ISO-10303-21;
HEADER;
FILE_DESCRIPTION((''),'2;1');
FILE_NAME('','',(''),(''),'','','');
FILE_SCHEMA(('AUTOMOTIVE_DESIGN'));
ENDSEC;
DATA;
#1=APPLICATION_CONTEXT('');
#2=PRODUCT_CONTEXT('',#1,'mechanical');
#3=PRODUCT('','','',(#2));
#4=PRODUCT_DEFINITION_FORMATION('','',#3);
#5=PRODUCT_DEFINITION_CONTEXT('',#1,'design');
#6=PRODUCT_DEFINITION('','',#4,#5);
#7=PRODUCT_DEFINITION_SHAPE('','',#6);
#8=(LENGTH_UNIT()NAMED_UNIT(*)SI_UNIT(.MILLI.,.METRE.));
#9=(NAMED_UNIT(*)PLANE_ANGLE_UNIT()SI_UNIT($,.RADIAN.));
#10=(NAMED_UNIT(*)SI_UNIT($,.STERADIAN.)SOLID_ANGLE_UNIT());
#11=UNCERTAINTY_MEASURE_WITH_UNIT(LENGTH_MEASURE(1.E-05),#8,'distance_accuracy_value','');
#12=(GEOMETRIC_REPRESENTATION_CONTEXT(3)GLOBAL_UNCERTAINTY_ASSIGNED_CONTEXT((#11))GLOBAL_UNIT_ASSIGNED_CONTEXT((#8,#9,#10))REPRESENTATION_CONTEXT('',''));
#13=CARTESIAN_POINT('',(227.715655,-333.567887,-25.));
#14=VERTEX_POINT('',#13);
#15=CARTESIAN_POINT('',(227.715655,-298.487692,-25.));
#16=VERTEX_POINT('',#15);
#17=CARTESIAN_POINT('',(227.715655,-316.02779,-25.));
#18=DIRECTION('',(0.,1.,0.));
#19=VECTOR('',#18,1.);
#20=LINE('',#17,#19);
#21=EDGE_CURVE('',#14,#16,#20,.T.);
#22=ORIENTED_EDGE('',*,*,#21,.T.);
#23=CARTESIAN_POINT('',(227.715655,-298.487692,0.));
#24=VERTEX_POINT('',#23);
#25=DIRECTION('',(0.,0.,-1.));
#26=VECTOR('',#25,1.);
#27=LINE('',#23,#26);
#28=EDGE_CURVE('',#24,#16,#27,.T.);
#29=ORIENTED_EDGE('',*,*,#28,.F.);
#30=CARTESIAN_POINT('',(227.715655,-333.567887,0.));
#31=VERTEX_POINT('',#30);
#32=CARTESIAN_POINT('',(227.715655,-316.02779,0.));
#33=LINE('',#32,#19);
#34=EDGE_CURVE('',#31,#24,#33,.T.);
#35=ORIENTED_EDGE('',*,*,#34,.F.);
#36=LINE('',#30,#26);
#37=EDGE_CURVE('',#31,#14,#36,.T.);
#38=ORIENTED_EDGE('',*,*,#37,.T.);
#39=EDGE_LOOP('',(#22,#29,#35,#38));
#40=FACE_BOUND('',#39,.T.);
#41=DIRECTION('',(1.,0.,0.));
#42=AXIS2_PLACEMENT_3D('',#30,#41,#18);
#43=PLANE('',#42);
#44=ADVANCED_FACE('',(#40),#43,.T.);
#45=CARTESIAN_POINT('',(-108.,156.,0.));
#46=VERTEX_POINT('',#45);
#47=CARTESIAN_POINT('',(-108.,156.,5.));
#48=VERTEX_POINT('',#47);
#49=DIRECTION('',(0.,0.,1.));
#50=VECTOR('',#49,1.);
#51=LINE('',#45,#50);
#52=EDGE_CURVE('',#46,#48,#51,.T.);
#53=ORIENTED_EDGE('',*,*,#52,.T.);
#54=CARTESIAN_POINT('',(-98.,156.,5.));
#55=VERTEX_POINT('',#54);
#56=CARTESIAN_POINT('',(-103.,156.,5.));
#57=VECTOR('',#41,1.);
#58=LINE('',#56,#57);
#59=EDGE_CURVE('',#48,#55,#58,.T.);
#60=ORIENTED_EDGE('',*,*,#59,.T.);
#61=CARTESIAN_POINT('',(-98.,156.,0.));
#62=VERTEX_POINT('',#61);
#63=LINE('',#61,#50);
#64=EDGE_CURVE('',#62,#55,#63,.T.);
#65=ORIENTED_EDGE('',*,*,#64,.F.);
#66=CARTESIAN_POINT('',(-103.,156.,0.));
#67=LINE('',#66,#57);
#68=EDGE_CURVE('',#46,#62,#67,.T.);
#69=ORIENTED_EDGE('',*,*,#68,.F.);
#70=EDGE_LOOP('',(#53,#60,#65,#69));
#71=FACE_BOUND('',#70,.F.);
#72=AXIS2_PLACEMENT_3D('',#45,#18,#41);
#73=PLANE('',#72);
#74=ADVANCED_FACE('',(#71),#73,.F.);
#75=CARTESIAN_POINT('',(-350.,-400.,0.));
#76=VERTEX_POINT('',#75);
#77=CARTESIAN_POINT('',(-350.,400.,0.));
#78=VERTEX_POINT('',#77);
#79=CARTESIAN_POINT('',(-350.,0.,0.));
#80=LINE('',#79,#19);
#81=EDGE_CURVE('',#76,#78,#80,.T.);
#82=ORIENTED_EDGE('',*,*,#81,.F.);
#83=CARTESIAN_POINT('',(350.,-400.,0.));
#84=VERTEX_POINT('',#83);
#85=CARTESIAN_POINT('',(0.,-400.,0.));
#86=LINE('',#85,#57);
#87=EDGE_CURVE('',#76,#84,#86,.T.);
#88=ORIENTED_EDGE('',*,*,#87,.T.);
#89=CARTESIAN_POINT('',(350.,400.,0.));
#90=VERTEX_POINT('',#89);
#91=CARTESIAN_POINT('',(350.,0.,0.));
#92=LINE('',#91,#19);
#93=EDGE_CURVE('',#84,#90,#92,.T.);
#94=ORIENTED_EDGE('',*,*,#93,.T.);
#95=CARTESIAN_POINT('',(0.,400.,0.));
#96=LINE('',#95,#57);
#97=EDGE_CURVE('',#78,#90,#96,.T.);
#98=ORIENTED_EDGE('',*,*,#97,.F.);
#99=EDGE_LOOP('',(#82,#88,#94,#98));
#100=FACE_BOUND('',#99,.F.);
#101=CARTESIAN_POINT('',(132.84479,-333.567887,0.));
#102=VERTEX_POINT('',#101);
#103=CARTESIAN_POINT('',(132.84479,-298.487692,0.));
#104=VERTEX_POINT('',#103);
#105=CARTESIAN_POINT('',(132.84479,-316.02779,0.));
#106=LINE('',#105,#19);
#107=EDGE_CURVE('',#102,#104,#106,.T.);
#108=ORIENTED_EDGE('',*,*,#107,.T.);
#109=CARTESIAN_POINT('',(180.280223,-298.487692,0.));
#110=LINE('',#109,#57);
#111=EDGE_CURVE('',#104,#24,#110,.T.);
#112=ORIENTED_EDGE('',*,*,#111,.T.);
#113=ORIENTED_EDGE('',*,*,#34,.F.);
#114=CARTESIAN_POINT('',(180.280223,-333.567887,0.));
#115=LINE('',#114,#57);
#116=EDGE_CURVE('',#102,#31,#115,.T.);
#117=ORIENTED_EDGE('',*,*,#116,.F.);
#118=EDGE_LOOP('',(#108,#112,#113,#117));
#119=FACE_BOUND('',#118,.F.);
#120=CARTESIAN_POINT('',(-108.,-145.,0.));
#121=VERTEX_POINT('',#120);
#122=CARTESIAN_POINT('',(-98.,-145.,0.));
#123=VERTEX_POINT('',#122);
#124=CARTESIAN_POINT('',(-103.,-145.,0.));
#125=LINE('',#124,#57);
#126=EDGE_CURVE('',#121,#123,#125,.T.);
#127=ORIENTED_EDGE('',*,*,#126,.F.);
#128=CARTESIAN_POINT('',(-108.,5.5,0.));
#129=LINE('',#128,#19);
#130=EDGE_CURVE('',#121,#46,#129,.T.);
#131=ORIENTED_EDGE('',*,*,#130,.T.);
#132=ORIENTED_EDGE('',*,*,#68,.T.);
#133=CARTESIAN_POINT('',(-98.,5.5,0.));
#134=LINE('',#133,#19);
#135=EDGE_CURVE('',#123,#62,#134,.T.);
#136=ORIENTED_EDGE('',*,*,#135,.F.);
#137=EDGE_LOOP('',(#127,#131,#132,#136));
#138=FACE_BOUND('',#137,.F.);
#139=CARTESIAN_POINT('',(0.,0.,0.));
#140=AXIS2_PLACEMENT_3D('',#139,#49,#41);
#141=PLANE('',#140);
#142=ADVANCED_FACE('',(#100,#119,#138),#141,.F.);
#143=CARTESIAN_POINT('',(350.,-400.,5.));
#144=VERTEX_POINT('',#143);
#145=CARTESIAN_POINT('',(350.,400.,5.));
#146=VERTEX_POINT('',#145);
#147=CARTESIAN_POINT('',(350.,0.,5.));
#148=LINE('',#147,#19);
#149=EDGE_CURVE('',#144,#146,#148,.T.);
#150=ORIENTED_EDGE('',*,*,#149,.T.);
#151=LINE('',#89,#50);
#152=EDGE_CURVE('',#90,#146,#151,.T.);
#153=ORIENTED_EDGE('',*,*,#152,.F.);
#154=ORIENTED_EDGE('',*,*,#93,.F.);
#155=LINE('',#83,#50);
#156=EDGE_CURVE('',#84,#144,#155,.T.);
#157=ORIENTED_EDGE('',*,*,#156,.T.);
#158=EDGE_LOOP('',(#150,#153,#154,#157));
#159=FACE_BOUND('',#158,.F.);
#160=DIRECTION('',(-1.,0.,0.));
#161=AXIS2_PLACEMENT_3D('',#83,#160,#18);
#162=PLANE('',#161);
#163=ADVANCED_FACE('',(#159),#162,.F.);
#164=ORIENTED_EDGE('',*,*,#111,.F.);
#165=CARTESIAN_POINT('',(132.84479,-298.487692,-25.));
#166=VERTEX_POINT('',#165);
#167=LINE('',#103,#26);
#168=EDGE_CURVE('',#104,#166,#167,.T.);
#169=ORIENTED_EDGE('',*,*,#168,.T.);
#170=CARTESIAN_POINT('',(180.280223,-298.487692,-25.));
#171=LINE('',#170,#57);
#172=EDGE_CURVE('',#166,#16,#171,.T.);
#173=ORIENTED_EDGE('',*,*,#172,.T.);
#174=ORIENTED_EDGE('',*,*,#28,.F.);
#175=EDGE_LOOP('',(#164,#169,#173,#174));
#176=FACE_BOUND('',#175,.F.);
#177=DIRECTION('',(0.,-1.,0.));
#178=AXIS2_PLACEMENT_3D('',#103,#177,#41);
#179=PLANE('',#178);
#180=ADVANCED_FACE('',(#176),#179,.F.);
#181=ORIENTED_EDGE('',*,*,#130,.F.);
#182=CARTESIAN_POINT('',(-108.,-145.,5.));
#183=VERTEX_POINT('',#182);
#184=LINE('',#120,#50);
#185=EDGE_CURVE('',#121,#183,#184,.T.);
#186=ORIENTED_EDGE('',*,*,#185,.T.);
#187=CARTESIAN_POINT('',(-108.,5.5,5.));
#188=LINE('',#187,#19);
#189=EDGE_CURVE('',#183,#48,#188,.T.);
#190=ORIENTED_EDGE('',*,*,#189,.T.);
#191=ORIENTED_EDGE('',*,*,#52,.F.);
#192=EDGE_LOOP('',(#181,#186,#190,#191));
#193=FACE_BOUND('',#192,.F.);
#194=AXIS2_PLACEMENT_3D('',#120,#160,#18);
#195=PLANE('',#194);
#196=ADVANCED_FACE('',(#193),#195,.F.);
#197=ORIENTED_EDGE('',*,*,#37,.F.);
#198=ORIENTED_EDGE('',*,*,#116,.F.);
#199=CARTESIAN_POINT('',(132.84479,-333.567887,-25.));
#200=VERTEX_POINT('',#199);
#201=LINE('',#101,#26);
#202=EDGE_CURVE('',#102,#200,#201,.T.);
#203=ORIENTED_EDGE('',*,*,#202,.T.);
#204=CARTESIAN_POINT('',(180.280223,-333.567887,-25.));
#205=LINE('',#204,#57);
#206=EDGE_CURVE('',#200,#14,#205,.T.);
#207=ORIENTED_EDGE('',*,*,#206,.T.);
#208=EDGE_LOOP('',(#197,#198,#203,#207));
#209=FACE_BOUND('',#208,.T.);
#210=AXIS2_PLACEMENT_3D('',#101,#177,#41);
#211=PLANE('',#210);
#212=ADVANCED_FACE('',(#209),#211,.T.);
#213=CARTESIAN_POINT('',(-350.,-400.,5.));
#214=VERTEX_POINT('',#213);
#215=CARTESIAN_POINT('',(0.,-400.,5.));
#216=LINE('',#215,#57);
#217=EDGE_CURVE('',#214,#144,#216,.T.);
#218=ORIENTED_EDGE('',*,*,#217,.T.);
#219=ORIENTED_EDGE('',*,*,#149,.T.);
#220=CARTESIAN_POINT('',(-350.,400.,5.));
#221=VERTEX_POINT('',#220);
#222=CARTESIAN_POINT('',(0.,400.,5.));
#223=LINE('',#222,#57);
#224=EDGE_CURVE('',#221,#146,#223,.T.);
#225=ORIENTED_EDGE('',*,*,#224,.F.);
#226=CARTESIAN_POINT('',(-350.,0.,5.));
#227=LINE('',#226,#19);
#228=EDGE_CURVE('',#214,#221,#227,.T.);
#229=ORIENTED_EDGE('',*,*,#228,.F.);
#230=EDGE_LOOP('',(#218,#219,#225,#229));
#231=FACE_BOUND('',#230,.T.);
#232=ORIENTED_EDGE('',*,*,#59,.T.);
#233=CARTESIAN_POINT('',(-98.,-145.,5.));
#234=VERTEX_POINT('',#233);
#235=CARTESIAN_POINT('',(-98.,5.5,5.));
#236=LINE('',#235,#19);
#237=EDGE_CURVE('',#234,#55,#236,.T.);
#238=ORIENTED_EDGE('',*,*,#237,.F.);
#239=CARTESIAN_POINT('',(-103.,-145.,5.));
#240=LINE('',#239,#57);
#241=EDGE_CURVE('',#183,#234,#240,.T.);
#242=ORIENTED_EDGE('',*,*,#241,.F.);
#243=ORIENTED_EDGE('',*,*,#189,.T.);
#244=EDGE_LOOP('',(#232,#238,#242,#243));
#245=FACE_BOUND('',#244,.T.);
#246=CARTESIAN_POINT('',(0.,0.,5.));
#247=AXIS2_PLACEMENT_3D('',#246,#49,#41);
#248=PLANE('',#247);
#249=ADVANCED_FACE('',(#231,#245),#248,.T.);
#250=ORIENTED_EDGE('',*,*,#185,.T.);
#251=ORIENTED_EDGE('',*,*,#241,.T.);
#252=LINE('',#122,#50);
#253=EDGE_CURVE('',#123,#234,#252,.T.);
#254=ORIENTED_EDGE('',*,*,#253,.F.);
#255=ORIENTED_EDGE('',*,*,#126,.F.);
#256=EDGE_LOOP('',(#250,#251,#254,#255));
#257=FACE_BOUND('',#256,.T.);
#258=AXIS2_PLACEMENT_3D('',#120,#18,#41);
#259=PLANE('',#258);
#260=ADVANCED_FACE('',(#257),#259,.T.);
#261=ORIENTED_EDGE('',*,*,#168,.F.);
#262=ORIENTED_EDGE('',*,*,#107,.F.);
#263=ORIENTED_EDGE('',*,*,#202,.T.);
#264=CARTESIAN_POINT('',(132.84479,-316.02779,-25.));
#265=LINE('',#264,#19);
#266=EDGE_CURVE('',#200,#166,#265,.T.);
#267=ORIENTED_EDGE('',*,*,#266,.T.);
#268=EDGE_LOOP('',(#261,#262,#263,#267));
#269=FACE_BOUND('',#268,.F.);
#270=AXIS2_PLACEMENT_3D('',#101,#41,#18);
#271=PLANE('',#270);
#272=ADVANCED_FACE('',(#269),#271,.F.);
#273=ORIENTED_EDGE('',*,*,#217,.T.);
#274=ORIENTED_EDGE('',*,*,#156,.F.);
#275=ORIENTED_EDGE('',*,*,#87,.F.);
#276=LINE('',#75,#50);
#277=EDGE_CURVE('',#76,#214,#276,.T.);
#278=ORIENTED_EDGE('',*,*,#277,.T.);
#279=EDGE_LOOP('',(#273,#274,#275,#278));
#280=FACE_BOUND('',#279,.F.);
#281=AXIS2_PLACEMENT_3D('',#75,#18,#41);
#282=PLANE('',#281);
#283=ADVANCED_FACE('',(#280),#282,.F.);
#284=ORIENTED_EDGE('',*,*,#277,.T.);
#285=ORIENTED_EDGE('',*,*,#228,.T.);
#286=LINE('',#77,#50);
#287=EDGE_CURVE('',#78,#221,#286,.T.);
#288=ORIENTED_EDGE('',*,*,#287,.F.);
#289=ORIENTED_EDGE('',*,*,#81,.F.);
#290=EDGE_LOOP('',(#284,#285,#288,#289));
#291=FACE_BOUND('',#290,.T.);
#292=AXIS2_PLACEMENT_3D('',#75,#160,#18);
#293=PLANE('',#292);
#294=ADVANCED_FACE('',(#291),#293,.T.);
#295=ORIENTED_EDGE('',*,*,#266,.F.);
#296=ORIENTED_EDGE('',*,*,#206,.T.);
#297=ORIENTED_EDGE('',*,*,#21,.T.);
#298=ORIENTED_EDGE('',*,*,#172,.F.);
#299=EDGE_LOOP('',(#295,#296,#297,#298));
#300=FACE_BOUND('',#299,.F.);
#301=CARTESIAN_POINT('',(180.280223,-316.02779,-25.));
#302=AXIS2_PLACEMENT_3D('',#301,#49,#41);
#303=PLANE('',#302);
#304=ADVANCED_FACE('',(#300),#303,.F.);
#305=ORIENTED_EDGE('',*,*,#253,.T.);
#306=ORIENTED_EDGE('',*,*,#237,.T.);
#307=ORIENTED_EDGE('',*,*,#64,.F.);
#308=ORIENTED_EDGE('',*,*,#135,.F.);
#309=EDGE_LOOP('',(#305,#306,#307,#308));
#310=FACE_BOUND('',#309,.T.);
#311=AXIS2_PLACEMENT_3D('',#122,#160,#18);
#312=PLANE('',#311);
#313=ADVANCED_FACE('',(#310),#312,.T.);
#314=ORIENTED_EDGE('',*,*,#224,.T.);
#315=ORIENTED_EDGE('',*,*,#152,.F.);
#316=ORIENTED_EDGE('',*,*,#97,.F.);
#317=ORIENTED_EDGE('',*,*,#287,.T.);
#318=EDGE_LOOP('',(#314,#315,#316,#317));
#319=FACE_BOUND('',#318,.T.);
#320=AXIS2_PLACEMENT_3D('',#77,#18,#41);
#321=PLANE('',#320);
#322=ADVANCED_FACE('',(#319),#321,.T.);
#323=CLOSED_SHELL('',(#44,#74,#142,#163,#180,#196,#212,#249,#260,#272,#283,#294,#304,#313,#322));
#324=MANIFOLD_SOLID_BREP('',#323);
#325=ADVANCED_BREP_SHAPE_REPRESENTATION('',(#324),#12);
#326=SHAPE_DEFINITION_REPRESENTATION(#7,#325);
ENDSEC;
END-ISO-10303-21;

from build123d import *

# Parameters (mm, degrees)
F0_W     = 700
F0_H     = 800
F0_W_2   = 10
F0_H_2   = 301
F1_DEPTH = 5
F2_W     = 94.870865
F2_H     = 35.080195
F3_DEPTH = 25


with BuildPart() as f1:
    # F0 (on Top) → F1 (new body)
    with BuildSketch(Plane.XY):
        Rectangle(F0_W, F0_H)
        with Locations((-103, 5.5)):
            Rectangle(F0_W_2, F0_H_2, mode=Mode.SUBTRACT)
    extrude(amount=F1_DEPTH)

    # F2 (on face) → F3 (join)
    with BuildSketch(Plane.XY):
        with Locations((180.280223, -316.02779)):
            Rectangle(F2_W, F2_H)
    extrude(amount=-F3_DEPTH)


solid = f1.part
